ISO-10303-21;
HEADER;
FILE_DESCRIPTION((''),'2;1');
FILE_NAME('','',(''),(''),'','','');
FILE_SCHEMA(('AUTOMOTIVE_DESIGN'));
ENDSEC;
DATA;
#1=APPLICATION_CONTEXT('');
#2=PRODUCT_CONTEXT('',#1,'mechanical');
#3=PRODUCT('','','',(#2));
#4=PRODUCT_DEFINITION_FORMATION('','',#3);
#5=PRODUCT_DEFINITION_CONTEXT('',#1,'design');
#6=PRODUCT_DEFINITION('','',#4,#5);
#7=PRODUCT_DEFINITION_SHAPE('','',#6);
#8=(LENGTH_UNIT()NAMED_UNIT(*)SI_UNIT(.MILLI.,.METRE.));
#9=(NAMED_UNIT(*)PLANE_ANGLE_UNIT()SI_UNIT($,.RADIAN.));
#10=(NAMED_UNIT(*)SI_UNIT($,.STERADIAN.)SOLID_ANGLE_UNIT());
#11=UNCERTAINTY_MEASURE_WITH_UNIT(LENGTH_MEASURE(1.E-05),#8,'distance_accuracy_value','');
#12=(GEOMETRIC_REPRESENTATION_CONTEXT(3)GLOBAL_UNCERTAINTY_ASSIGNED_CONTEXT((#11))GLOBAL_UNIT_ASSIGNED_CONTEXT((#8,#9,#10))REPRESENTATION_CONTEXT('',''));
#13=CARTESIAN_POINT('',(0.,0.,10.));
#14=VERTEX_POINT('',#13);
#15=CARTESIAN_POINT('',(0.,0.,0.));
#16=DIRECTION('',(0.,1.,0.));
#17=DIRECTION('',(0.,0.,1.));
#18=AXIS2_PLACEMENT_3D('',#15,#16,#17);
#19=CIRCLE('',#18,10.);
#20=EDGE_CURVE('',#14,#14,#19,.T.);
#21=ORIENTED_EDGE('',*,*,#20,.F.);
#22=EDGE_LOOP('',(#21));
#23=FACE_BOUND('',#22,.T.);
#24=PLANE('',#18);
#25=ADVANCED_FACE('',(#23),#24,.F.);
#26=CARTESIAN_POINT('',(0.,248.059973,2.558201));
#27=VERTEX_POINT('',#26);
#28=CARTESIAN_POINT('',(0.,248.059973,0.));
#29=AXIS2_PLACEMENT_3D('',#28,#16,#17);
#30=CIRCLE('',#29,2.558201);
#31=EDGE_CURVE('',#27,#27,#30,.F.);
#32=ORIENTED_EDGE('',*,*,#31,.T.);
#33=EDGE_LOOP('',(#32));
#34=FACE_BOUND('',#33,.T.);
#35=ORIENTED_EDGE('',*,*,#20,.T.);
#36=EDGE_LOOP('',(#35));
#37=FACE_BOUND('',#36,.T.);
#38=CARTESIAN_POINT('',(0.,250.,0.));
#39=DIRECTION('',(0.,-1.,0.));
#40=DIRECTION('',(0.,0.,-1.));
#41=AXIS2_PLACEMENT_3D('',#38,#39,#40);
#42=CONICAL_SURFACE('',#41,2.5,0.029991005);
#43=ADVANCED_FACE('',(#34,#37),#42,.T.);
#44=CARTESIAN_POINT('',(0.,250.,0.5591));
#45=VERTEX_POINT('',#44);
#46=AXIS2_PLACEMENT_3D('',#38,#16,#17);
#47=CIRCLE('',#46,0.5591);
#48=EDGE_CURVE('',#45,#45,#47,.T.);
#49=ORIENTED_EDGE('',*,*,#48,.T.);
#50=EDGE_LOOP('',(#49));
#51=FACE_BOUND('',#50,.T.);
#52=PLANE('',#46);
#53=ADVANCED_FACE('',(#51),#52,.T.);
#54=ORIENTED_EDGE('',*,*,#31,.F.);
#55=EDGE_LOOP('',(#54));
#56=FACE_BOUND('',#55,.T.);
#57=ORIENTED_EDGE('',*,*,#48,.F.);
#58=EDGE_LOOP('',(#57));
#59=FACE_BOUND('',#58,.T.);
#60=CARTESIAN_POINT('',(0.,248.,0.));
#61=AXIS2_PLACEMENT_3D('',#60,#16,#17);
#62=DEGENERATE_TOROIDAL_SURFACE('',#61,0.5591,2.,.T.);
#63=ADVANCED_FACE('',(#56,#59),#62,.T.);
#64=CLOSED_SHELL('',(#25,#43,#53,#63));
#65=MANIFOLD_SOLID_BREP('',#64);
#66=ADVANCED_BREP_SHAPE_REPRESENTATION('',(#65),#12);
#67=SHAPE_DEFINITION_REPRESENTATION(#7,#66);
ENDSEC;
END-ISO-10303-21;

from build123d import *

# Parameters (mm, degrees)
SKETCH2_R = 10
SKETCH1_R = 2.5
FILLET1_R = 2


with BuildPart() as part:
    # Sketch2 → Loft1 section 0
    with BuildSketch(Plane(origin=(0, 0, 0), x_dir=(1, 0, 0), z_dir=(0, 1, 0))):
        Circle(SKETCH2_R)
    # Sketch1 → Loft1 section 1
    with BuildSketch(Plane(origin=(0, 250, 0), x_dir=(1, 0, 0), z_dir=(0, 1, 0))):
        Circle(SKETCH1_R)
    loft()

    # Fillet1
    fillet1_edges = [part.edges().sort_by_distance(p)[0] for p in [
        (-2.5, 250, 0),
    ]]
    fillet(fillet1_edges, radius=FILLET1_R)


solid = part.part
